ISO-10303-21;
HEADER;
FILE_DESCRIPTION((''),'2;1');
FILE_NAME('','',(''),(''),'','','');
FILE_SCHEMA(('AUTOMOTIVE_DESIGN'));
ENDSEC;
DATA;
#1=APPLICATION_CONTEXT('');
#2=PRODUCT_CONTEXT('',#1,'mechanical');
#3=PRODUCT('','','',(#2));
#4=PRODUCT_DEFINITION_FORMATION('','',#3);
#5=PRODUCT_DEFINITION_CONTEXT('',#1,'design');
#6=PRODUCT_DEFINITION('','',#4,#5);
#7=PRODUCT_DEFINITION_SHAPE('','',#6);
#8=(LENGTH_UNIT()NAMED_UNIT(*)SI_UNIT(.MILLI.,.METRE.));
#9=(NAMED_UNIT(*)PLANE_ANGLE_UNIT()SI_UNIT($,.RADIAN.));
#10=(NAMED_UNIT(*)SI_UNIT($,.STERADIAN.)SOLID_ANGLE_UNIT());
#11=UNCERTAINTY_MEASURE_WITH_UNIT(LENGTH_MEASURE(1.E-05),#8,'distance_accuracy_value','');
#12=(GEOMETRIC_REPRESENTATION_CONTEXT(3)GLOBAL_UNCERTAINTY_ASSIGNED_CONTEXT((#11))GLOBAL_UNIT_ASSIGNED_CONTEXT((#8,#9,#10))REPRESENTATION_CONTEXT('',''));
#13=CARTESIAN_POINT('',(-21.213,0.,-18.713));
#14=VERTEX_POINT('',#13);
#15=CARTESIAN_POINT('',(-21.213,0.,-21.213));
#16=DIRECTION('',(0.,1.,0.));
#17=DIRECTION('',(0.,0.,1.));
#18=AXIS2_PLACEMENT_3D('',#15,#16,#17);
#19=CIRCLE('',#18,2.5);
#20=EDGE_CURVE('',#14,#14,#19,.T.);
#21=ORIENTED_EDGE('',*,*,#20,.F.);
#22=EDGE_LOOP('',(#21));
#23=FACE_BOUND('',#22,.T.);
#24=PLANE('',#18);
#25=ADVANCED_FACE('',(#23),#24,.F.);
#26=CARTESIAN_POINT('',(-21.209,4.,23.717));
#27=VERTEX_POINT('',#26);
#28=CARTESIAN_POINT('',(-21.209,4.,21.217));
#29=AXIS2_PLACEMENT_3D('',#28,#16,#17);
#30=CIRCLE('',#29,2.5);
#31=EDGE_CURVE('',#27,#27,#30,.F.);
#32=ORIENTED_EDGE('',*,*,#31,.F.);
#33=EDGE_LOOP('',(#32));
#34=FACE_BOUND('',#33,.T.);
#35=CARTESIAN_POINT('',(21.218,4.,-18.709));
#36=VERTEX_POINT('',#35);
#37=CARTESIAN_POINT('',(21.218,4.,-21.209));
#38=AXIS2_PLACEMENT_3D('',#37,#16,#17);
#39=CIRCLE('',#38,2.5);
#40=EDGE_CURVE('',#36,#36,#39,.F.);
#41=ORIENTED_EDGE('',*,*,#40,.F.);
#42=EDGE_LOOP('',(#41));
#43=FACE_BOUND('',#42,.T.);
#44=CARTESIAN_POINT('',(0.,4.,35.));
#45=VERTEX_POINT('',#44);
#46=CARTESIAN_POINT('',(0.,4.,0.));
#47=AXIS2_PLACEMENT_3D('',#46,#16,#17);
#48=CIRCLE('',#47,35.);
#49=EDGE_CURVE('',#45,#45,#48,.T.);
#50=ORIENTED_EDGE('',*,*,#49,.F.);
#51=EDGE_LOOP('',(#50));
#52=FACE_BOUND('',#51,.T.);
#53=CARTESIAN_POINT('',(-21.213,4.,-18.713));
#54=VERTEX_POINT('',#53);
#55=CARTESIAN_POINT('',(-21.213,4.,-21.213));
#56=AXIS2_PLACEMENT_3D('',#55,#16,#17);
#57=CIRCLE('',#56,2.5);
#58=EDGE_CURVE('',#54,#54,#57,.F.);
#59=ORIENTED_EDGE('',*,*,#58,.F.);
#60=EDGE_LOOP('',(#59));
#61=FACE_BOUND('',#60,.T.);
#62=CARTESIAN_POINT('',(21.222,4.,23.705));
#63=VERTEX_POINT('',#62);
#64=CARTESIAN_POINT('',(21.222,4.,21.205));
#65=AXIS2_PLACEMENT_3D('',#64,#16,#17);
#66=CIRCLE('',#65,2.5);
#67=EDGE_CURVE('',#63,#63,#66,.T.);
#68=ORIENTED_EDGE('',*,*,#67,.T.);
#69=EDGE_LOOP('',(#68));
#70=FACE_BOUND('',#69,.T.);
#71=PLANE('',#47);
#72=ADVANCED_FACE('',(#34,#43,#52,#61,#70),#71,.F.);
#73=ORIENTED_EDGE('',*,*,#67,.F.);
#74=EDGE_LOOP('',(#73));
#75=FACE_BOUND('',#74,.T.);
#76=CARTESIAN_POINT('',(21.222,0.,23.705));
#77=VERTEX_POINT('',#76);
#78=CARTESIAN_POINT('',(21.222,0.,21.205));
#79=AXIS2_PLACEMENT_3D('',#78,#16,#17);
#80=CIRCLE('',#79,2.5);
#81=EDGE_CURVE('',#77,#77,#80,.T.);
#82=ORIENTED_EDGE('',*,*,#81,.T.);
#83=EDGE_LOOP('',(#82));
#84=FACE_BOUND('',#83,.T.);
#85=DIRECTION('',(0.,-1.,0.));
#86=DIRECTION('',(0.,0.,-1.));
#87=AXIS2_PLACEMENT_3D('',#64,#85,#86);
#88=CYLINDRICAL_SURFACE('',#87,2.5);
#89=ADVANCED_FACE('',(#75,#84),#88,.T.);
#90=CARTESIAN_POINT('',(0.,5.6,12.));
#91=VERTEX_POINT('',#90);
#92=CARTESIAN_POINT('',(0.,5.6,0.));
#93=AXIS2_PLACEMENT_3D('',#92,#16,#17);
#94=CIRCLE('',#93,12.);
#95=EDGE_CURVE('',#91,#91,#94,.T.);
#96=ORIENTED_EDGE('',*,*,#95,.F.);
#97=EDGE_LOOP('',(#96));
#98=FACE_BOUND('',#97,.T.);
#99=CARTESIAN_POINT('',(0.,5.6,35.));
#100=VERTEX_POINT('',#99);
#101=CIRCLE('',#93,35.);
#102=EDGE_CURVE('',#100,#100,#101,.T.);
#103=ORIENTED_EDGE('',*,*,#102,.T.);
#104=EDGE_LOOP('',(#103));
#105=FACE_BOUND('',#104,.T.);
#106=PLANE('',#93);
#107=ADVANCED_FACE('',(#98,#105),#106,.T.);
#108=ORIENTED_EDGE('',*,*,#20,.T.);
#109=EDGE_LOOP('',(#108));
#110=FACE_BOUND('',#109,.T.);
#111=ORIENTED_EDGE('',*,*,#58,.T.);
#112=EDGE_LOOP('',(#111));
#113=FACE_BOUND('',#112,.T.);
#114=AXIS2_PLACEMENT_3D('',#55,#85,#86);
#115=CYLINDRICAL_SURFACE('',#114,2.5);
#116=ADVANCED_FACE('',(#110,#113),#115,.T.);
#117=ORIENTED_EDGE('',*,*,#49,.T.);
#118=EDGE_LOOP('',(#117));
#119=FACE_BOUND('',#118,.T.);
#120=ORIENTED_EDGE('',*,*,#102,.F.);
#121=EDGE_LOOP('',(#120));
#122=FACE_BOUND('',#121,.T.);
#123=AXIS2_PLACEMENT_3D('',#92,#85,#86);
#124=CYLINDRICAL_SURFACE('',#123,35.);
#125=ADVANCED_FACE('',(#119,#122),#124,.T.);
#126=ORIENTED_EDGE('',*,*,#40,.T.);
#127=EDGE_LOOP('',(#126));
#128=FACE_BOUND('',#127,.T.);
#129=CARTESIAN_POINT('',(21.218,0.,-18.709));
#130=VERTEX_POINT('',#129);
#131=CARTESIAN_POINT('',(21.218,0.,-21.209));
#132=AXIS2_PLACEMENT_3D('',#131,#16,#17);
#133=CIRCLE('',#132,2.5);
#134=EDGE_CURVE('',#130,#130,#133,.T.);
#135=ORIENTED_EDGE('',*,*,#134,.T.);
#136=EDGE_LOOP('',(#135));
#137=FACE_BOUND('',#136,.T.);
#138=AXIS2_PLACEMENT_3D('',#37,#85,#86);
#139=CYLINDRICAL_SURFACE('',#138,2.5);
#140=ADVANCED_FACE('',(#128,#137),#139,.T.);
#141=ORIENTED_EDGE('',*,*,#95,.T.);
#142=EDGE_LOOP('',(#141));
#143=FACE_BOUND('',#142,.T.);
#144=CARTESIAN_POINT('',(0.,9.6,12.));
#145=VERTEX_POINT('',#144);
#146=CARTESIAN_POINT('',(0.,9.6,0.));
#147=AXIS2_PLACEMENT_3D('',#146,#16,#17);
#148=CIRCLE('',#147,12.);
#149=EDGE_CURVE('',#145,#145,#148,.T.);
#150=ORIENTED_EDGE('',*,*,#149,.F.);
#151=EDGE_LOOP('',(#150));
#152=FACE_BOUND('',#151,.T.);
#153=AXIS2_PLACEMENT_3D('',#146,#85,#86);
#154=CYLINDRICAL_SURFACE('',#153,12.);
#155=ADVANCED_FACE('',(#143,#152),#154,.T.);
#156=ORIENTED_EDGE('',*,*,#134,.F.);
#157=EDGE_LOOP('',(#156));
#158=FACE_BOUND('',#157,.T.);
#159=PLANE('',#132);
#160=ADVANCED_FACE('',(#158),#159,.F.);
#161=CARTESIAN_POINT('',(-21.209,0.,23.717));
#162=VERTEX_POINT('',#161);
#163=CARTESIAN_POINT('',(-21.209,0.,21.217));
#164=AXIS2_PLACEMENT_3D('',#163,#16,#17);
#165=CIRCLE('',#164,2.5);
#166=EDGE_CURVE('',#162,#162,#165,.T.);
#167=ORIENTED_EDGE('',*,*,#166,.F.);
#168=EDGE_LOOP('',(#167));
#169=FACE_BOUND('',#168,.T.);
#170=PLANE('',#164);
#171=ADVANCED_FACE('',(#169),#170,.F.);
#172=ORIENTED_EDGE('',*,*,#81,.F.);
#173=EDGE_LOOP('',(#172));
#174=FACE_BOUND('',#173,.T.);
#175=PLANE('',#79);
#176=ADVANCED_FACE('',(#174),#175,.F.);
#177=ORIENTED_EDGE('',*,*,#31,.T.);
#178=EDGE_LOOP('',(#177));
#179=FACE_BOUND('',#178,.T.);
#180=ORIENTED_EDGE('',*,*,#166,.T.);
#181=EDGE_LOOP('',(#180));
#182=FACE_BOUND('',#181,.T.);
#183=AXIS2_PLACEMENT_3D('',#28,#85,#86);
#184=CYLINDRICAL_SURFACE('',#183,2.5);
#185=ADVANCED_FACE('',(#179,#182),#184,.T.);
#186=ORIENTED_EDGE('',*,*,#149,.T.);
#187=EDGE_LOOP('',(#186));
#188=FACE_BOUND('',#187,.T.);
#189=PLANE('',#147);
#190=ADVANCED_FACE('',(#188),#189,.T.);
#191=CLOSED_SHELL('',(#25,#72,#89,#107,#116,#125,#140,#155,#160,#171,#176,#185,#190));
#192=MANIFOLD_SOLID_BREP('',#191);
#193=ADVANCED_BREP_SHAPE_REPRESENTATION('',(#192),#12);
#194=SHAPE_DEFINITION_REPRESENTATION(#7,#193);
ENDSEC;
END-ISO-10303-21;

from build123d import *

# Parameters (mm, degrees)
SK_P01_STANDOFF_R           = 2.5
P01_STANDOFF_DEPTH          = 4
SK_P02_STANDOFF_R           = 2.5
P02_STANDOFF_DEPTH          = 4
SK_P03_STANDOFF_R           = 2.5
P03_STANDOFF_DEPTH          = 4
SK_P04_STANDOFF_R           = 2.5
P04_STANDOFF_DEPTH          = 4
P05_MICARRAYBOARD70MM_START = 4
SK_P05_MICARRAYBOARD70MM_R  = 35
P05_MICARRAYBOARD70MM_DEPTH = 1.6
P06_DSPANDLEDS_START        = 5.6
SK_P06_DSPANDLEDS_R         = 12
P06_DSPANDLEDS_DEPTH        = 4


with BuildPart() as part:
    # SK_P01_Standoff → P01_Standoff (new body)
    with BuildSketch(Plane(origin=(0, 0, 0), x_dir=(1, 0, 0), z_dir=(0, 1, 0))):
        with Locations(Location((21.222, -21.205, 0), (0, 0, 270))):
            Circle(SK_P01_STANDOFF_R)
    extrude(amount=P01_STANDOFF_DEPTH)



with BuildPart() as body_2:
    # SK_P02_Standoff → P02_Standoff (new body)
    with BuildSketch(Plane(origin=(0, 0, 0), x_dir=(1, 0, 0), z_dir=(0, 1, 0))):
        with Locations(Location((-21.209, -21.217, 0), (0, 0, 270))):
            Circle(SK_P02_STANDOFF_R)
    extrude(amount=P02_STANDOFF_DEPTH)


with BuildPart() as body_3:
    # SK_P03_Standoff → P03_Standoff (new body)
    with BuildSketch(Plane(origin=(0, 0, 0), x_dir=(1, 0, 0), z_dir=(0, 1, 0))):
        with Locations(Location((-21.213, 21.213, 0), (0, 0, 270))):
            Circle(SK_P03_STANDOFF_R)
    extrude(amount=P03_STANDOFF_DEPTH)


with BuildPart() as body_4:
    # SK_P04_Standoff → P04_Standoff (new body)
    with BuildSketch(Plane(origin=(0, 0, 0), x_dir=(1, 0, 0), z_dir=(0, 1, 0))):
        with Locations(Location((21.218, 21.209, 0), (0, 0, 270))):
            Circle(SK_P04_STANDOFF_R)
    extrude(amount=P04_STANDOFF_DEPTH)


with BuildPart() as part_1:
    add(part.part)

    add(body_2.part)  # P05_Micarrayboard70mm merges body 2

    add(body_3.part)  # P05_Micarrayboard70mm merges body 3

    add(body_4.part)  # P05_Micarrayboard70mm merges body 4
    # SK_P05_Micarrayboard70mm → P05_Micarrayboard70mm (add)
    with BuildSketch(Plane(origin=(0, 0, 0), x_dir=(1, 0, 0), z_dir=(0, 1, 0)).offset(P05_MICARRAYBOARD70MM_START)):
        with Locations(Location((0, 0, 0), (0, 0, 270))):
            Circle(SK_P05_MICARRAYBOARD70MM_R)
    extrude(amount=P05_MICARRAYBOARD70MM_DEPTH)

    # SK_P06_DSPandLEDs → P06_DSPandLEDs (add)
    with BuildSketch(Plane(origin=(0, 0, 0), x_dir=(1, 0, 0), z_dir=(0, 1, 0)).offset(P06_DSPANDLEDS_START)):
        with Locations(Location((0, 0, 0), (0, 0, 270))):
            Circle(SK_P06_DSPANDLEDS_R)
    extrude(amount=P06_DSPANDLEDS_DEPTH)


solid = part_1.part
